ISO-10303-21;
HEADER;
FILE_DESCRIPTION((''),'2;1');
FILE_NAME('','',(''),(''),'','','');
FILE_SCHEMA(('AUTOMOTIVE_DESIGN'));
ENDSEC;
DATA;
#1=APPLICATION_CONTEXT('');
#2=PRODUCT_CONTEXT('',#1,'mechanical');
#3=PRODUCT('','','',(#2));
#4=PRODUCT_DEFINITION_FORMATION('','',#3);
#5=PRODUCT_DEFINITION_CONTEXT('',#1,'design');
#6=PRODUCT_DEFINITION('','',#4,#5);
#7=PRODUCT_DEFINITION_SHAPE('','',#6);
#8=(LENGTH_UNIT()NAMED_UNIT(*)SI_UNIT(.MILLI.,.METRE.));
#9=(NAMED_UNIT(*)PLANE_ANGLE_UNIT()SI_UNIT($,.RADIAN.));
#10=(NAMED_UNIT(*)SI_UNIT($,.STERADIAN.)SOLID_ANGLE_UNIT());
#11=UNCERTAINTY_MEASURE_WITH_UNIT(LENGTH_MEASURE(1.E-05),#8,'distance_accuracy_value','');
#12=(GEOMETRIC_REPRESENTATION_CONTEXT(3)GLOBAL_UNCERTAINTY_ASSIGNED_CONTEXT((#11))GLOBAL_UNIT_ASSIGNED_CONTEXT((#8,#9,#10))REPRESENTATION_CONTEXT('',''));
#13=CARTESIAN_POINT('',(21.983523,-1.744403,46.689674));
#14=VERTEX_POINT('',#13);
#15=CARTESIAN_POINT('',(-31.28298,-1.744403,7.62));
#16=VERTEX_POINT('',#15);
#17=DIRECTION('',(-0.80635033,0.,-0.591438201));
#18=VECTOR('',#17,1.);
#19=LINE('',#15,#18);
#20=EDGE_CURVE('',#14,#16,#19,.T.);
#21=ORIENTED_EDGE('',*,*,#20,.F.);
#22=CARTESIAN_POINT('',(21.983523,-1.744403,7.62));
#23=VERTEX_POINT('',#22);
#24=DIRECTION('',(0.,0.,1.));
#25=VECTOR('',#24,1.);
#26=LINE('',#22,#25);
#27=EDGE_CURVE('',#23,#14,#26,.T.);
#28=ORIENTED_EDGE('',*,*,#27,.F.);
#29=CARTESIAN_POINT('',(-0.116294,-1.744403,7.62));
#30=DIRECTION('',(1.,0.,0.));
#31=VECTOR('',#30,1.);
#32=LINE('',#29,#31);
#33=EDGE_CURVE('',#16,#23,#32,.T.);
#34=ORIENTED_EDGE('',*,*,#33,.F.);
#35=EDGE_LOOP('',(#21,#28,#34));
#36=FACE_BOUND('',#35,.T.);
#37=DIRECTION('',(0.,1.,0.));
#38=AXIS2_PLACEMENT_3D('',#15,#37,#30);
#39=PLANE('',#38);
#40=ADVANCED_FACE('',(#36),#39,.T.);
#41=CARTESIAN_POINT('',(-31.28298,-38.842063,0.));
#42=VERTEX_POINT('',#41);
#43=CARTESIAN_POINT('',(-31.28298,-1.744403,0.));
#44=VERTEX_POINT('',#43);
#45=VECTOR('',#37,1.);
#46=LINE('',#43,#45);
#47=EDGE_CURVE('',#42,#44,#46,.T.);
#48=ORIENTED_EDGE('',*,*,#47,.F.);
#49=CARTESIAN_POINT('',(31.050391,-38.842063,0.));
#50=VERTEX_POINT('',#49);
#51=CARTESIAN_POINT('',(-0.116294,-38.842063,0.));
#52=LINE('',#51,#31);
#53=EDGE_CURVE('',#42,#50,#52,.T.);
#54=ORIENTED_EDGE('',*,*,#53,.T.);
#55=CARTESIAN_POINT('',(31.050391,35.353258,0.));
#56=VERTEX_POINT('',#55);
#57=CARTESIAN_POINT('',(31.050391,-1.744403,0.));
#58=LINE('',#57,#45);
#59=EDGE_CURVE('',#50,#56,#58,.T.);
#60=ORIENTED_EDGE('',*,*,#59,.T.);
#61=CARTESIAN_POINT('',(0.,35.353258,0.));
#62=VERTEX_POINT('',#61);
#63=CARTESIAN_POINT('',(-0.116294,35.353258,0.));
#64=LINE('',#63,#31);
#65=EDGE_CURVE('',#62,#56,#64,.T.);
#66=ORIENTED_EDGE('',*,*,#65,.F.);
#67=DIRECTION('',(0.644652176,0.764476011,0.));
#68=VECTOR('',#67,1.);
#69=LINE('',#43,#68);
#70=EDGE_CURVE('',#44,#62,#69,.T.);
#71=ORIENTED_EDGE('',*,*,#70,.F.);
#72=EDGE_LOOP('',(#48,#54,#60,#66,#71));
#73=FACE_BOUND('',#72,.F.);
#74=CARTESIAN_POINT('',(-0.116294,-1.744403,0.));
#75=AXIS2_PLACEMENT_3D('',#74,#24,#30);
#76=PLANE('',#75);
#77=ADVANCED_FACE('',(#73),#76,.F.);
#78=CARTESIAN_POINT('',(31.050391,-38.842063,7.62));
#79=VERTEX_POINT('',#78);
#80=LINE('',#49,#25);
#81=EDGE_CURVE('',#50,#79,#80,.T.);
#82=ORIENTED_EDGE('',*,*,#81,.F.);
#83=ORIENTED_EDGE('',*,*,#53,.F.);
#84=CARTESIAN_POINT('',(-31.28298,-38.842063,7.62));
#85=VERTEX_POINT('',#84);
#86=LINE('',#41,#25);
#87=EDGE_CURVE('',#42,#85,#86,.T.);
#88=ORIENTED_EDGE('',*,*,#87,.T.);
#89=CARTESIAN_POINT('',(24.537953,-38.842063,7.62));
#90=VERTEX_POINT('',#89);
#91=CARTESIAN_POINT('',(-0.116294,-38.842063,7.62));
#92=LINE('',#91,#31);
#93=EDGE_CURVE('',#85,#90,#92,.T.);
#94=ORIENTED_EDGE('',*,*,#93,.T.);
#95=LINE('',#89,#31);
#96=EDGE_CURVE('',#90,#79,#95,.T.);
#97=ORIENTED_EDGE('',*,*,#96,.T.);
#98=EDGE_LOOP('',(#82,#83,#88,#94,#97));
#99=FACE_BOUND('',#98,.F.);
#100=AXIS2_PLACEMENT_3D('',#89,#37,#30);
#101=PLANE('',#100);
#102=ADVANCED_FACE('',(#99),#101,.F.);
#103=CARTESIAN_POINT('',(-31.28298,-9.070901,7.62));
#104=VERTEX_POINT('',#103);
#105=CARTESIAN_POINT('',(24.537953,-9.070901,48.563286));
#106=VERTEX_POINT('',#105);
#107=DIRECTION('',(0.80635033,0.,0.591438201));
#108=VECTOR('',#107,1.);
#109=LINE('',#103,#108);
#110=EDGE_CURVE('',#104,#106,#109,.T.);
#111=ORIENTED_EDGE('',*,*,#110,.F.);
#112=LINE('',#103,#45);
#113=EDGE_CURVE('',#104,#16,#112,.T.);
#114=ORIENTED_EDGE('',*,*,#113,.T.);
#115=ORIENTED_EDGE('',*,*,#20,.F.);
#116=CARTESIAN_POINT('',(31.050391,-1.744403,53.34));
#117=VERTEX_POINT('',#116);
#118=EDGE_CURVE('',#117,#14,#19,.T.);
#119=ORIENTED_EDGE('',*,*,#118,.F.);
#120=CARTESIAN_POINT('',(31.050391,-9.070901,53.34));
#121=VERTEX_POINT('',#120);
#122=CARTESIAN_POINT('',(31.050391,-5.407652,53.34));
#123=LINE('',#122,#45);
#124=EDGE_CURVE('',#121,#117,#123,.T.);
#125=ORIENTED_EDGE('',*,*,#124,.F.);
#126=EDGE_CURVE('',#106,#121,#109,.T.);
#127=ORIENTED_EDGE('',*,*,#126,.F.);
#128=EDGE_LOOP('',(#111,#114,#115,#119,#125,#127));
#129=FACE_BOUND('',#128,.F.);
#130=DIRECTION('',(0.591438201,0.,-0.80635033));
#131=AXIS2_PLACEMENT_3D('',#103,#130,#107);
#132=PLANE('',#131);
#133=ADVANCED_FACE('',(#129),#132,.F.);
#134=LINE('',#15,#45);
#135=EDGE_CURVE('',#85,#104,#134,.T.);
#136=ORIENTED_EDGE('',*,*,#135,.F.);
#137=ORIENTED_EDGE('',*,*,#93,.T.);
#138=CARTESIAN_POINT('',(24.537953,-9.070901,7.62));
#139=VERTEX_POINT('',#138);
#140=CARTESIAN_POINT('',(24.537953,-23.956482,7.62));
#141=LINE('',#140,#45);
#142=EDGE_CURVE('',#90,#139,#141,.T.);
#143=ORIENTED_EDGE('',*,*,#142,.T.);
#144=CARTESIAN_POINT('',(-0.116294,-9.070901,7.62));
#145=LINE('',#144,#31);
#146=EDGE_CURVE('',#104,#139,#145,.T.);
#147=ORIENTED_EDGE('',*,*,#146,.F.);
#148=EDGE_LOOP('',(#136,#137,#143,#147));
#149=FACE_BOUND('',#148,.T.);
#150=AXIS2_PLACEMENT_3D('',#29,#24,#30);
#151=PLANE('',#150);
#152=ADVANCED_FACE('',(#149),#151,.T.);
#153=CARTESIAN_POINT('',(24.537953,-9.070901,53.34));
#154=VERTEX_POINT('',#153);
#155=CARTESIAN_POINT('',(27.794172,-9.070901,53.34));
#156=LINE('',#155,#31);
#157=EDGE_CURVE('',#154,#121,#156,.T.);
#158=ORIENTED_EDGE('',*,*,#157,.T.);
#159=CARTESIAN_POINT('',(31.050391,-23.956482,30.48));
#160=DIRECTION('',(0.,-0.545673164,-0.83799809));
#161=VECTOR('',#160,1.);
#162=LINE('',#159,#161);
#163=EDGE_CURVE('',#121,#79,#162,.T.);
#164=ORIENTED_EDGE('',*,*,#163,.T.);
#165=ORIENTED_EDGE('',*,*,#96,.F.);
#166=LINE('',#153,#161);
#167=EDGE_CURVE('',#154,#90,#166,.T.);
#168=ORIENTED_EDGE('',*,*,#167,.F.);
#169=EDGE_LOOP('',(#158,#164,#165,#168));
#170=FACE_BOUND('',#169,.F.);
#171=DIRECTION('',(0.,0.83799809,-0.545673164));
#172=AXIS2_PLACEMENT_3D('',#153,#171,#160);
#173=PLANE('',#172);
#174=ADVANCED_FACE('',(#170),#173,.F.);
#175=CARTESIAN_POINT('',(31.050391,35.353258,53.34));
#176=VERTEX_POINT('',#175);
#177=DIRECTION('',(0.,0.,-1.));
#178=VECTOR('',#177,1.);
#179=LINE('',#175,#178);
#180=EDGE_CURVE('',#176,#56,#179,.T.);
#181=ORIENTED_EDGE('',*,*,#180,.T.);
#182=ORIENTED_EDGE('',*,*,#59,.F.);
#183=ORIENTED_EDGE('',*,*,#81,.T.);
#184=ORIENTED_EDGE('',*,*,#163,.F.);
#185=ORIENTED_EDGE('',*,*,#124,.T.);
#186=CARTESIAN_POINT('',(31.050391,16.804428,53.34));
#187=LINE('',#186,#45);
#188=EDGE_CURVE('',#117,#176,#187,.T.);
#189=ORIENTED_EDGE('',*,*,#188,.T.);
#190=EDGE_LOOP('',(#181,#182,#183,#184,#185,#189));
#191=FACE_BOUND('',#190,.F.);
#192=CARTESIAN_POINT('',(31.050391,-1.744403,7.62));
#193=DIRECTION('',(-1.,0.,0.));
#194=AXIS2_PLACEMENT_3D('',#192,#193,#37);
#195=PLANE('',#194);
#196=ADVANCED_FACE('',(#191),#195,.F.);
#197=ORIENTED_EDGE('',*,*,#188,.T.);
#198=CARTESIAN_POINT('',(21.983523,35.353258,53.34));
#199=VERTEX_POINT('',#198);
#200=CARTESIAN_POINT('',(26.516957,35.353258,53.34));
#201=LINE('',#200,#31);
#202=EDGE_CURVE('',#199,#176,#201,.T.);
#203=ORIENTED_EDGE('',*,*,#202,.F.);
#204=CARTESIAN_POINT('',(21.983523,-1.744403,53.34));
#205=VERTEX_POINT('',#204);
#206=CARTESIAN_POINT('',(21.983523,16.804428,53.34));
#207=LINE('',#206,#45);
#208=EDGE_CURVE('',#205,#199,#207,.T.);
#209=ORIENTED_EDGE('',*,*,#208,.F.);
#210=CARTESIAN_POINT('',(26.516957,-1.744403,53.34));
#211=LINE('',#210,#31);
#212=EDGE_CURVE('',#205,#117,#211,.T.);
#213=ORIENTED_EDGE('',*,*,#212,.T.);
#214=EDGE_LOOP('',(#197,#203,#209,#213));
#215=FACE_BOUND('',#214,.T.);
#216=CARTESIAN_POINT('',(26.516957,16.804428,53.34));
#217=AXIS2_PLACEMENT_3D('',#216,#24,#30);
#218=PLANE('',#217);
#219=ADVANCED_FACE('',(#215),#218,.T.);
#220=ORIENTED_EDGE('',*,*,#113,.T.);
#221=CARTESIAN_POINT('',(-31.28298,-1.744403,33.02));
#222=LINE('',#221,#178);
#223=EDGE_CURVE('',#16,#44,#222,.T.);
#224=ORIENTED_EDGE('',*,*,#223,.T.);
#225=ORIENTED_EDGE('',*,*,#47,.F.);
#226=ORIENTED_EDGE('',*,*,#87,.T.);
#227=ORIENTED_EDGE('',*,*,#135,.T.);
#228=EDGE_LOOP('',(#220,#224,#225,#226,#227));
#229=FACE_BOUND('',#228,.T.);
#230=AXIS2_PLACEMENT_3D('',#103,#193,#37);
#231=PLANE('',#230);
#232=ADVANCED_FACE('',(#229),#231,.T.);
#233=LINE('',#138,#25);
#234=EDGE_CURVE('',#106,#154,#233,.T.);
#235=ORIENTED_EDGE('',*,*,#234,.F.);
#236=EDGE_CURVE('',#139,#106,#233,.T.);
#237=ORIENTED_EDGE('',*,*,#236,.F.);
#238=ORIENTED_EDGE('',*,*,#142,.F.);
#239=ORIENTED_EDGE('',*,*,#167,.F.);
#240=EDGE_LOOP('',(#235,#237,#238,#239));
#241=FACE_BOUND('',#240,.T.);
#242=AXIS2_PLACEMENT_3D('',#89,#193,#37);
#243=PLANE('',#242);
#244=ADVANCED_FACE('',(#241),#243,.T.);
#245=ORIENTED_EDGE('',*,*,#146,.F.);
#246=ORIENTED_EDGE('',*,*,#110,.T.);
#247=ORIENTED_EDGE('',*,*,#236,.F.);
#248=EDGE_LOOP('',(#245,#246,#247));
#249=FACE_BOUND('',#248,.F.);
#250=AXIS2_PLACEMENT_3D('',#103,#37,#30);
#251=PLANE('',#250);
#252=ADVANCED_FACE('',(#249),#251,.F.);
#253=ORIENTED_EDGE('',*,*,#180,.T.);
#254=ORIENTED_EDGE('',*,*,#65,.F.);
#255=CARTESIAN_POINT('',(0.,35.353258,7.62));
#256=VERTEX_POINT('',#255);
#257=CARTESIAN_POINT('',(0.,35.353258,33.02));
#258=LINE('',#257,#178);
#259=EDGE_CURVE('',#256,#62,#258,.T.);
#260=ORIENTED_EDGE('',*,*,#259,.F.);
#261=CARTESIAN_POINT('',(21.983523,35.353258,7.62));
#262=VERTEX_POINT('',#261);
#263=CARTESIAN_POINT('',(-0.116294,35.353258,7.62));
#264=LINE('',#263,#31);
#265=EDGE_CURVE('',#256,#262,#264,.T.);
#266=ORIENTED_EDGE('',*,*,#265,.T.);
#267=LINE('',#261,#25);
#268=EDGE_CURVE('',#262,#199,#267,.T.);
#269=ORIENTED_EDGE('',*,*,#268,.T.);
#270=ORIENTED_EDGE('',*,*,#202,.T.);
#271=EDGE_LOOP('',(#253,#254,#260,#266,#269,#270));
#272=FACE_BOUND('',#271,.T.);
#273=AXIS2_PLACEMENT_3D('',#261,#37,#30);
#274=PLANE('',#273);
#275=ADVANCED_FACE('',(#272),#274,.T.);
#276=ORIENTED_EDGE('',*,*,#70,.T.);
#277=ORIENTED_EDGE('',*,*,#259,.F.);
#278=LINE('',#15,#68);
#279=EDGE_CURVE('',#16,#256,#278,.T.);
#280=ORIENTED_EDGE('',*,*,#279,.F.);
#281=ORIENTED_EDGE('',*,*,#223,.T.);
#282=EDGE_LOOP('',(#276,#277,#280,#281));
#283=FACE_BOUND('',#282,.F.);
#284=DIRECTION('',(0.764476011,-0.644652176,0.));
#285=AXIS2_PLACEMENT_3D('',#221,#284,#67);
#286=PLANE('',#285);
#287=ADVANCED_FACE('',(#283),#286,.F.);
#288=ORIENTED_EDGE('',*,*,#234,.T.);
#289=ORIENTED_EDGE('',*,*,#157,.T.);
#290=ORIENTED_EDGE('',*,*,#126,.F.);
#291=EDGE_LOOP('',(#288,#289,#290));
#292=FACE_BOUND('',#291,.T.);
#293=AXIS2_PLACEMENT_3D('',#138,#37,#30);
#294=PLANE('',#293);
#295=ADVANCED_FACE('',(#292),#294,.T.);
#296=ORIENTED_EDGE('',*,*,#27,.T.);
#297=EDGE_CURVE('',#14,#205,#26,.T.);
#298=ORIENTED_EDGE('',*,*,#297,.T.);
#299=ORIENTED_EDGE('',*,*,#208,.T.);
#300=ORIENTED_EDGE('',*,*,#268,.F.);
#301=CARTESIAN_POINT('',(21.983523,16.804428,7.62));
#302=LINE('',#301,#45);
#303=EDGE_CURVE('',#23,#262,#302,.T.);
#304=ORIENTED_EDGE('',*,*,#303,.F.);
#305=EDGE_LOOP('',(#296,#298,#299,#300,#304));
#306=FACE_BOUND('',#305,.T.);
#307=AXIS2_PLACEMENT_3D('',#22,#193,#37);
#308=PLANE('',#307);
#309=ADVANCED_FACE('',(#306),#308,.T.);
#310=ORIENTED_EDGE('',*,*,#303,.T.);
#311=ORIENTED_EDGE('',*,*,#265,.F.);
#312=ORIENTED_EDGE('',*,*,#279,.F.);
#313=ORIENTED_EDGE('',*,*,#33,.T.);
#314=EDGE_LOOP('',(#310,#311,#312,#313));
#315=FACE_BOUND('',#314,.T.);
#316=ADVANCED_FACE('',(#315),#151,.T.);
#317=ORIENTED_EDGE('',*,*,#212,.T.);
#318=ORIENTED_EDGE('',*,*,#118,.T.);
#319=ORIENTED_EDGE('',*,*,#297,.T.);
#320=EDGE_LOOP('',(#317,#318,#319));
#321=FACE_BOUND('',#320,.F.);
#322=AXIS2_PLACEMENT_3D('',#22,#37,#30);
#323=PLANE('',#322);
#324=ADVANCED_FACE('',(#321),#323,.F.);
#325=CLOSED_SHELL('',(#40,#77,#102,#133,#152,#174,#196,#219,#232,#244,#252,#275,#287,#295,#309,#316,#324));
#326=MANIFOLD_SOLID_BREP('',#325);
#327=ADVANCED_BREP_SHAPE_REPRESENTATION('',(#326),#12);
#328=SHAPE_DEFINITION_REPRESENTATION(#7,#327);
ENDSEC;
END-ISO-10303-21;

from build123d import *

# Parameters (mm, degrees)
F0_W      = 62.3333714902
F0_H      = 74.1953216493
F1_DEPTH  = 7.62
F3_DEPTH  = 25.4
F4_DEPTH  = 33.02
F5_W      = 62.3333714902
F5_H      = 7.3264986277
F6_DEPTH  = 45.72
F8_DEPTH  = 25.4
F9_W      = 6.5124388784
F9_H      = 29.771162197
F10_DEPTH = 45.72
F12_DEPTH = 25.4
F13_W     = 9.0668685734
F13_H     = 37.0976608247
F14_DEPTH = 45.72


with BuildPart() as f1:
    # F0 (on Top) → F1 (new body)
    with BuildSketch(Plane.XY):
        with Locations((-0.1162942499, -1.7444025725)):
            Rectangle(F0_W, F0_H)
    extrude(amount=F1_DEPTH)

    # F2 (on face) → F3 (join)
    with BuildSketch(Plane.XY.offset(7.62)):
        Polygon((-31.282979995, 35.3532582521), (-31.282979995, -1.7444025725), (0, 35.3532582521), align=None)
    extrude(amount=F3_DEPTH)

    # F4 (cut): a face of the model
    f4_faces = [f1.faces().sort_by_distance(p)[0] for p in [
        (-20.8553199967, 22.9873713106, 33.02),
    ]]
    extrude(f4_faces, amount=-F4_DEPTH, mode=Mode.SUBTRACT)

    # F5 (on face) → F6 (join)
    with BuildSketch(Plane.XY.offset(7.62)):
        with Locations((-0.1162942499, -5.4076518863)):
            Rectangle(F5_W, F5_H)
    extrude(amount=F6_DEPTH)

    # F7 (on face) → F8 (cut)
    with BuildSketch(Plane.XZ.offset(9.0709012002)):
        Polygon((-31.282979995, 53.34), (-31.282979995, 7.62), (31.0503914952, 53.34), align=None)
    extrude(amount=-F8_DEPTH, mode=Mode.SUBTRACT)

    # F9 (on face) → F10 (join)
    with BuildSketch(Plane.XY.offset(7.62)):
        with Locations((27.794172056, -23.9564822987)):
            Rectangle(F9_W, F9_H)
    extrude(amount=F10_DEPTH)

    # F11 (on face) → F12 (cut)
    with BuildSketch(Plane(origin=(24.5379526168, 0, 0), x_dir=(0, -1, 0), z_dir=(-1, 0, 0))):
        Polygon((38.8420633972, 53.34), (9.0709012002, 53.34), (38.8420633972, 7.62), align=None)
    extrude(amount=-F12_DEPTH, mode=Mode.SUBTRACT)

    # F13 (on face) → F14 (join)
    with BuildSketch(Plane.XY.offset(7.62)):
        with Locations((26.5169572085, 16.8044278398)):
            Rectangle(F13_W, F13_H)
    extrude(amount=F14_DEPTH)


solid = f1.part
